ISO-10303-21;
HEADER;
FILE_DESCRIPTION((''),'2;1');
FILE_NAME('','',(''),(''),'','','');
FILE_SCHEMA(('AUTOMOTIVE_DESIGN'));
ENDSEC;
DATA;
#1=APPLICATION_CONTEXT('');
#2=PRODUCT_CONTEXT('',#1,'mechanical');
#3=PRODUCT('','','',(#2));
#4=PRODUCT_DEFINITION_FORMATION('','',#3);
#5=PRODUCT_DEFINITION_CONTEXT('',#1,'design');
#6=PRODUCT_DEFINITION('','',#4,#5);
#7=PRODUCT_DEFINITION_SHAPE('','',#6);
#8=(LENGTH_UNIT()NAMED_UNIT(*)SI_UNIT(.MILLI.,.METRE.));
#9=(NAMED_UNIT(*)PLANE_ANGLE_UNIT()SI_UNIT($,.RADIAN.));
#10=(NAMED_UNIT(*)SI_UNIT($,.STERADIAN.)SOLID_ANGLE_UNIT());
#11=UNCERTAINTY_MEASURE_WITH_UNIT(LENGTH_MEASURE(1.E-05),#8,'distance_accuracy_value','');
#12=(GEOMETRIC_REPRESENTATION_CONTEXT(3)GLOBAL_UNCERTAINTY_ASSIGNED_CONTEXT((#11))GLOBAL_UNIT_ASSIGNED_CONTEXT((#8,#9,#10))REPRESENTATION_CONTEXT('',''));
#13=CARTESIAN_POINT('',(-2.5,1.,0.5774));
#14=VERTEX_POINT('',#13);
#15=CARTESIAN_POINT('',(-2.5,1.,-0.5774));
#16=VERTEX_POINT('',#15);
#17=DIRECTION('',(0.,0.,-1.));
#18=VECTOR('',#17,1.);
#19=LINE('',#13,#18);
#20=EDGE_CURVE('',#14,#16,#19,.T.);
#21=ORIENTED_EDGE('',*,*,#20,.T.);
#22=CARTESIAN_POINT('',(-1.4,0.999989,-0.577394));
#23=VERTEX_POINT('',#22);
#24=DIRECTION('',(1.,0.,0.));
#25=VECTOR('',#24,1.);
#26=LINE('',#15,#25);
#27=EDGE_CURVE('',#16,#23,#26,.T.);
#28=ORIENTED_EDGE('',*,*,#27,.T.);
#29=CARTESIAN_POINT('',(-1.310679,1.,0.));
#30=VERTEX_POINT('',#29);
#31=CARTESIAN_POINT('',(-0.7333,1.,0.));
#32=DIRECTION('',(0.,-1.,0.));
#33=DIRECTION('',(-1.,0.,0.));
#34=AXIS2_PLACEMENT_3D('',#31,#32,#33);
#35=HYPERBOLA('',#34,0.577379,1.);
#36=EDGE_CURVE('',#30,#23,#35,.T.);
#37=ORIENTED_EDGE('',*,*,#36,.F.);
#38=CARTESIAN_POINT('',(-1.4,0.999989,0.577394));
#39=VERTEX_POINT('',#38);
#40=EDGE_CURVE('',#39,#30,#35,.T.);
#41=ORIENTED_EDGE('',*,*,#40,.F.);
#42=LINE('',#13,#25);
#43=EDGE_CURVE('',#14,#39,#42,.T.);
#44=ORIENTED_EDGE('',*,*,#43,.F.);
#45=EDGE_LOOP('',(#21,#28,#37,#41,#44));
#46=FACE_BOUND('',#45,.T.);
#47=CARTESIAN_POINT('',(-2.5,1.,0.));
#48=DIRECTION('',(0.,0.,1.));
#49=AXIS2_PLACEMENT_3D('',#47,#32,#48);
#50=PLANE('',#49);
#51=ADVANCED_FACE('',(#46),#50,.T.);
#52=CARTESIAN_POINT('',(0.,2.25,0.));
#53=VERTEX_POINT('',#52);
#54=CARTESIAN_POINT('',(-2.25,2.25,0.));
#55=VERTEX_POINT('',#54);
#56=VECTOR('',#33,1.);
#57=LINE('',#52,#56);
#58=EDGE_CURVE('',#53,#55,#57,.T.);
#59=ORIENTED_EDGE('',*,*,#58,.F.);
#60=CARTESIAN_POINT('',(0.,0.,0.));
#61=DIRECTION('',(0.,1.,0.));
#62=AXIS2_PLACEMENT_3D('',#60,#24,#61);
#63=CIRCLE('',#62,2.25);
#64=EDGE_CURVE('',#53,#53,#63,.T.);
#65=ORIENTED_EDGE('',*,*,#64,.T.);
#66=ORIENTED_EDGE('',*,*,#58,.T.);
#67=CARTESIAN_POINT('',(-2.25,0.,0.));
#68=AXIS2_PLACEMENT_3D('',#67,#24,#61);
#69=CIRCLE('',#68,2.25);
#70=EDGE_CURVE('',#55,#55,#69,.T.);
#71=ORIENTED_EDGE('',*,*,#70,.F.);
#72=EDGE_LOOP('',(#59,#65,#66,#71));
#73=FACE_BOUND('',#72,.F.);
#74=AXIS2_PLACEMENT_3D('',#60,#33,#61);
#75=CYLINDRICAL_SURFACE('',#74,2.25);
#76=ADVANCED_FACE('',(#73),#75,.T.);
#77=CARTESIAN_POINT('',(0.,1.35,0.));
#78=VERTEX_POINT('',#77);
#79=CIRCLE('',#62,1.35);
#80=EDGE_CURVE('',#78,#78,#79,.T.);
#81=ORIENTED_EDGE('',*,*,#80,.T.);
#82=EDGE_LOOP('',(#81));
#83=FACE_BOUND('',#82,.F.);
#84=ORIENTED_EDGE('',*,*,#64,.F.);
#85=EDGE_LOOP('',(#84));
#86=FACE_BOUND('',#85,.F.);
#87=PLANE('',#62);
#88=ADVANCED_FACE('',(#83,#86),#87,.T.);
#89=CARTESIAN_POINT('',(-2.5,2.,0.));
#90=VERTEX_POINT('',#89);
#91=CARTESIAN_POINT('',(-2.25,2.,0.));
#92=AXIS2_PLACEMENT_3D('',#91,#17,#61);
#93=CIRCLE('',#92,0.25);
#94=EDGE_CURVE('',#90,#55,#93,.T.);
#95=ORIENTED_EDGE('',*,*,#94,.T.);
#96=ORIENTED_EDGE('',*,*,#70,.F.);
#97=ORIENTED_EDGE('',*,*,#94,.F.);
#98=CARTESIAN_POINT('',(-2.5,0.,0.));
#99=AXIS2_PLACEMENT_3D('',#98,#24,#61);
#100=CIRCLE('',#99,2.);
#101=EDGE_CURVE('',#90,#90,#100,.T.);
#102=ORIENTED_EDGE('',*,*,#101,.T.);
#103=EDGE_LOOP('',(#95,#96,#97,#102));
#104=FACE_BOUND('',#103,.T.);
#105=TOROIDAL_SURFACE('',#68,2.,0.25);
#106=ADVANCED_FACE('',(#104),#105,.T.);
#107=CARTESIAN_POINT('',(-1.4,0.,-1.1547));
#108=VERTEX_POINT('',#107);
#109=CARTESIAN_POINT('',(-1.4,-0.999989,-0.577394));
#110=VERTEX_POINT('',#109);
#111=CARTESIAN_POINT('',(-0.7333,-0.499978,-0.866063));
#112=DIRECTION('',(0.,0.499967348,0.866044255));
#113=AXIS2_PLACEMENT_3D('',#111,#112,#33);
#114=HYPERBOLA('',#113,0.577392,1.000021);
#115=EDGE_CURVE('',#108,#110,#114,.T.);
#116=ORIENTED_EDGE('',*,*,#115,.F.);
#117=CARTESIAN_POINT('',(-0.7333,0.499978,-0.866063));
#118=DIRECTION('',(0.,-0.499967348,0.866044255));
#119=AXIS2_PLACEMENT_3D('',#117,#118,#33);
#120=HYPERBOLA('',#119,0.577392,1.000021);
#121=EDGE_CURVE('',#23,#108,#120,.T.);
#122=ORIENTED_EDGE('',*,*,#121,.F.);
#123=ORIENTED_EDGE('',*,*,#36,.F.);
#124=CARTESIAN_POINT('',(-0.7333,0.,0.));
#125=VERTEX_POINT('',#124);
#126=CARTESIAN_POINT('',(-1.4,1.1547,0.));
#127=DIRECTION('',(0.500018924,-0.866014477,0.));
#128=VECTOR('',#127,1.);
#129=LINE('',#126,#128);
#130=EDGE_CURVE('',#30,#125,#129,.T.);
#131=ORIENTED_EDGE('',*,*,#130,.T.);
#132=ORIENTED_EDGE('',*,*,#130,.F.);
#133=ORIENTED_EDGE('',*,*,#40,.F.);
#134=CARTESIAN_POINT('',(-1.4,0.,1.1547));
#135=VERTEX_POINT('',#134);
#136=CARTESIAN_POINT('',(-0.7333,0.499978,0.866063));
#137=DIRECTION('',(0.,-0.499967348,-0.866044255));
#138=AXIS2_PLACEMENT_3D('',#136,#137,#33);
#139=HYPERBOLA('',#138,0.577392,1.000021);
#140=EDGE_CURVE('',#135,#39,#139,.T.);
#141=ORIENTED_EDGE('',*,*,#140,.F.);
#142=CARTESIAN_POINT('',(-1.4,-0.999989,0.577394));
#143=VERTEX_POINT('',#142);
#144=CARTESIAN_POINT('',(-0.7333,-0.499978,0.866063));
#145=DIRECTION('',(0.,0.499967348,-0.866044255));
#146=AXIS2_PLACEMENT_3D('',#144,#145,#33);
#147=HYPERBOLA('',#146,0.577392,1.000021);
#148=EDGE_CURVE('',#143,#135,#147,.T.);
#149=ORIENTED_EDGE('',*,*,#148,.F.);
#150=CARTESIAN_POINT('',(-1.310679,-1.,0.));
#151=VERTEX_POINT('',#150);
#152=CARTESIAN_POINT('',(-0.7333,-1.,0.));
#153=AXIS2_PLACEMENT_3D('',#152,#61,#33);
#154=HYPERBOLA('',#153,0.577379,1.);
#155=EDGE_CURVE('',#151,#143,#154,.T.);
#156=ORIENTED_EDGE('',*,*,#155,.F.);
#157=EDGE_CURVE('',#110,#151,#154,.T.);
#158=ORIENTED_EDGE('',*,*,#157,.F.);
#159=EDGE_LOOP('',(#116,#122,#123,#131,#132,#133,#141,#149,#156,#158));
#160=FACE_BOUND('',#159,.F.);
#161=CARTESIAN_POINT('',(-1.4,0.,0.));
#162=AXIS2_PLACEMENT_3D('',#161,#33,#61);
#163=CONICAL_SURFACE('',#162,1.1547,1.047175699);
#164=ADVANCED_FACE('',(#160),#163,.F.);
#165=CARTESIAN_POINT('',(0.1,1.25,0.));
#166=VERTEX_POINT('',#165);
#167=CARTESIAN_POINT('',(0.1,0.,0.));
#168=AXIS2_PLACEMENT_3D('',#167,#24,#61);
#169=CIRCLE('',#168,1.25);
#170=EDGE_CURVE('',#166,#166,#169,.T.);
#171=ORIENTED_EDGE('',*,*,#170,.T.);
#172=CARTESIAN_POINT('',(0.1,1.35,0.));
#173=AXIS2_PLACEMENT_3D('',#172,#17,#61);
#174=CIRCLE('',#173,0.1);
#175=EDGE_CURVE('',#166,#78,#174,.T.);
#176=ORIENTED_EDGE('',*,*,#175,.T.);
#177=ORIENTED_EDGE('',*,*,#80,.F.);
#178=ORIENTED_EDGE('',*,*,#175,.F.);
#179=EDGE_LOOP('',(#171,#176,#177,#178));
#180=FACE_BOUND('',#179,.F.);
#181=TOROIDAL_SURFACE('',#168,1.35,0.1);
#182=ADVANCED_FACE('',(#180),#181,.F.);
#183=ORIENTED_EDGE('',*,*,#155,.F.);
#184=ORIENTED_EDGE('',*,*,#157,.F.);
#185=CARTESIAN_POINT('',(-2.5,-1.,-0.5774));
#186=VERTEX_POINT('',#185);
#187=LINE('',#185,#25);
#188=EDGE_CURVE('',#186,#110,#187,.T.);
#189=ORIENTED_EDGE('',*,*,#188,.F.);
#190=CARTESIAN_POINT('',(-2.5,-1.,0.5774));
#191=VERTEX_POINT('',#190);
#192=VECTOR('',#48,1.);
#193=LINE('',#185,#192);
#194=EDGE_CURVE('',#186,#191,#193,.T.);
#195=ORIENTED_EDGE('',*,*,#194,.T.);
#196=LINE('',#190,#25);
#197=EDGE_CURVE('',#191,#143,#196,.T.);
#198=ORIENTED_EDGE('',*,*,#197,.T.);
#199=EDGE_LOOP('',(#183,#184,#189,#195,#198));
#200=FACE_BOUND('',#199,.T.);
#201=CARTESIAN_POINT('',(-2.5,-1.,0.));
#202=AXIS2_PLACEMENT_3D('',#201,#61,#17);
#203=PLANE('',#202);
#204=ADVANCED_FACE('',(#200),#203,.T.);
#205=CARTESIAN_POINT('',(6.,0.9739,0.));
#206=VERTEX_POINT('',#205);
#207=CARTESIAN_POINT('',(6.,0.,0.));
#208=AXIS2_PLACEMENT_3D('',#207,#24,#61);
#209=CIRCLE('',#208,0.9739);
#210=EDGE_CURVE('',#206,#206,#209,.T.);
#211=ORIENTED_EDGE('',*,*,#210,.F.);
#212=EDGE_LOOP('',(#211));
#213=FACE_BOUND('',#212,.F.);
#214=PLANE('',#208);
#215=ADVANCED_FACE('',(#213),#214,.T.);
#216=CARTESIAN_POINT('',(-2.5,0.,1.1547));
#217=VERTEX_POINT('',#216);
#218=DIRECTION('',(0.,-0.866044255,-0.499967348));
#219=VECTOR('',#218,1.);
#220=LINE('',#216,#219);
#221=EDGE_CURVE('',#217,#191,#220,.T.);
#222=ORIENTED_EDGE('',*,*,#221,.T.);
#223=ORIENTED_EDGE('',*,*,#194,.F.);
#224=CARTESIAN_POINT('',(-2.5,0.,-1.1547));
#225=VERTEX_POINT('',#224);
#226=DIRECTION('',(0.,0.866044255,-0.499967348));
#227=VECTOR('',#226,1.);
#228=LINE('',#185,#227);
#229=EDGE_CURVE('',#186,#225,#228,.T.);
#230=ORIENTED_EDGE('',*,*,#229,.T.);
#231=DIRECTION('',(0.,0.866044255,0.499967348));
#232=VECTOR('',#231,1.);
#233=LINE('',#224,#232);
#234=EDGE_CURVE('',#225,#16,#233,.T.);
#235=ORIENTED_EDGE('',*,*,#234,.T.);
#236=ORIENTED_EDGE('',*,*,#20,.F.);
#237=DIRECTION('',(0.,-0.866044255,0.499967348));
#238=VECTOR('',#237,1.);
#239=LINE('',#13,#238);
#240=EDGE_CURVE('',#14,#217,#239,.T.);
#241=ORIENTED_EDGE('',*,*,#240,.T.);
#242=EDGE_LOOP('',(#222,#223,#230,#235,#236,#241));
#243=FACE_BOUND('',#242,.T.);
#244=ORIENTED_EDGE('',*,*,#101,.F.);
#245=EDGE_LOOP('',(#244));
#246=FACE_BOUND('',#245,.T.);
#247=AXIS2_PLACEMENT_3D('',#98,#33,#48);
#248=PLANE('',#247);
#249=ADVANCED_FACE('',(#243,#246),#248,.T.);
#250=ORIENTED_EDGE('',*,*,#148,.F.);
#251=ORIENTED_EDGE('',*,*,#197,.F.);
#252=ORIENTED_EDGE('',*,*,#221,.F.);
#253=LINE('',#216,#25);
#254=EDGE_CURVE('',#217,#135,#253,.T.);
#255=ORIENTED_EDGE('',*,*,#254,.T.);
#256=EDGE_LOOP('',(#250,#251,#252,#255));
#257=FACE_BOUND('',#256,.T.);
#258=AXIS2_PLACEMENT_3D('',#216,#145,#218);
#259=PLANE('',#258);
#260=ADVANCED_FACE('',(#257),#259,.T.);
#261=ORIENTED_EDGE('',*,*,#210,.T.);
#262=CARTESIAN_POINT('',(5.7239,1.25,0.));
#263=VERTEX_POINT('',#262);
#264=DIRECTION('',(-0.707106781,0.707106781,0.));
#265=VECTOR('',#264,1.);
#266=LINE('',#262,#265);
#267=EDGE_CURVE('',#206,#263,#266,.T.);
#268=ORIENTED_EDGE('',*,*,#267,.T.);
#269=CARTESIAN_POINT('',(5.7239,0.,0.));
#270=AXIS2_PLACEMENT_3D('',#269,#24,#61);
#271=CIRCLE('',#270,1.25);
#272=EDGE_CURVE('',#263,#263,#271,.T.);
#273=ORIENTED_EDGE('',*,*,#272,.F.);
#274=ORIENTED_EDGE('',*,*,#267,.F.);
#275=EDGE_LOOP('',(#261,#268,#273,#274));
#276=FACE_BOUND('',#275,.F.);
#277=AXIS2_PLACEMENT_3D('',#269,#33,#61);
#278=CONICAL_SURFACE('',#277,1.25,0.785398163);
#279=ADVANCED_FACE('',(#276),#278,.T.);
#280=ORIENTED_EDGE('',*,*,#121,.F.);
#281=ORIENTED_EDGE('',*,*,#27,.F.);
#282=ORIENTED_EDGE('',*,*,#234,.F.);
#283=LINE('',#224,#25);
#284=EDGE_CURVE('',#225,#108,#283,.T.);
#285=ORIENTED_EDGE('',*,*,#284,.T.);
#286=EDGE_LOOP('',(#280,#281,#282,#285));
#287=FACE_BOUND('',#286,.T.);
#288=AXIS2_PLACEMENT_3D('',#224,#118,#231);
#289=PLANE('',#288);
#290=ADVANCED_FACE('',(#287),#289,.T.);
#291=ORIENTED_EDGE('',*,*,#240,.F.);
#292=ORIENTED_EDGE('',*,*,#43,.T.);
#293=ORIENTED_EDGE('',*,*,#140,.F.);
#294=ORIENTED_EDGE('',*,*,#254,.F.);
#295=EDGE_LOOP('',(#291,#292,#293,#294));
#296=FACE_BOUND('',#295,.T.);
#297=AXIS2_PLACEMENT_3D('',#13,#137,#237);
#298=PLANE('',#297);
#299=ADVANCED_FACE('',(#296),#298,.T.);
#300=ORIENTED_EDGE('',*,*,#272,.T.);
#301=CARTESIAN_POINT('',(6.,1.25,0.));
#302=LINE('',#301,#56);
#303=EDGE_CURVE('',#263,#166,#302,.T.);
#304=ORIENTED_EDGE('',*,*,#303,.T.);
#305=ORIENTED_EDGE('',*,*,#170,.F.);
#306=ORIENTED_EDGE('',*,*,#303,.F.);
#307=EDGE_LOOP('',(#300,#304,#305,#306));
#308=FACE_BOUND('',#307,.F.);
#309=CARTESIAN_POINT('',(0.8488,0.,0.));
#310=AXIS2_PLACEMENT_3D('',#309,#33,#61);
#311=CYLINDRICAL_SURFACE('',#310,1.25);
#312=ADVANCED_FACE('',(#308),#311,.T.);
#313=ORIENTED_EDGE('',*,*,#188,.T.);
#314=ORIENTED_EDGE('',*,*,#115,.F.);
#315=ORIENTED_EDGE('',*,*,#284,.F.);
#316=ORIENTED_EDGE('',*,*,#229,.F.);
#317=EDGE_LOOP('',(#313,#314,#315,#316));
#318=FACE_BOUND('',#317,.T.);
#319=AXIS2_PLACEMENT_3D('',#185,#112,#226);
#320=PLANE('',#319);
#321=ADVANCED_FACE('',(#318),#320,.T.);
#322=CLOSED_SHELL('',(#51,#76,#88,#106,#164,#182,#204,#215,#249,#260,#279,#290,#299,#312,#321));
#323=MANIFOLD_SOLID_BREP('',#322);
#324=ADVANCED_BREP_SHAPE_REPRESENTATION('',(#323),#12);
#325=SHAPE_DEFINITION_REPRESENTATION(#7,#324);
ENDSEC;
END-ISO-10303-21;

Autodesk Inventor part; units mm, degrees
ref_plane "YZ Plane" through (0, 0, 0) normal (1, 0, 0) x (0, 1, 0)
ref_plane "XZ Plane" through (0, 0, 0) normal (0, 1, 0) x (-1, 0, 0)
sketch "Sketch1" plane through (0, 0, 0) normal (0, 0, 1) x (1, 0, 0)
  line L0 (-0.7333, 0) -> (6, 0)
  line L1 (6, 0) -> (6, 1.25)
  line L2 (6, 1.25) -> (1.125, 1.25)
  line L3 (1.125, 1.25) -> (0.8488, 1.25)
  line L4 (0.8488, 1.25) -> (0, 1.25)
  line L5 (0, 1.25) -> (0, 2.25)
  line L6 (0, 2.25) -> (-2.5, 2.25)
  line L7 (-2.5, 2.25) -> (-2.5, 1.1547)
  line L8 (-2.5, 1.1547) -> (-1.4, 1.1547)
  line L9 (-1.4, 1.1547) -> (-0.7333, 0)
  line L10 (-4.2, 0) -> (7.7, 0) projected
  line L11 (0, -0.45) -> (0, 2.7) projected
  line L12 (1.125, 1.25) -> (0, 1.25) construction
  dimension "d1" = 4.875
  dimension "d2" = 0.2762
  dimension "d3" = 2.5
  dimension "d4" = 1.1
  dimension "d5" = 60
  dimension "d6" = 2.5
  dimension "d7" = 2.5
  dimension "d8" = 2.3094
  dimension "d9" = 4.5
  dimension "d26" = 6
revolve "Body" add sketch "Sketch1" angle 360 about axis through (-0.7333, 0, 0) along (1, 0, 0)
sketch "Sketch2" plane through (-2.5, 0, 0) normal (-1, 0, 0) x (0, 0, 1)
  circle A0 centre (0, 0) radius 1.1547 projected
  line L0 (0, -3.15) -> (0, 3.15) projected
  line L1 (-3.15, 0) -> (3.15, 0) projected
  line L2 (1.1547, 0) -> (0.5774, -1)
  line L3 (0.5774, -1) -> (-0.5774, -1)
  line L4 (-0.5774, -1) -> (-1.1547, 0)
  line L5 (-1.1547, 0) -> (-0.5774, 1)
  line L6 (-0.5774, 1) -> (0.5774, 1)
  line L7 (0.5774, 1) -> (1.1547, 0)
extrude "Slot" add sketch "Sketch2" against normal up to next contours L7 A0 | A0 L2 | L6 L0 A0 | A0 L0 L3 | L0 L6 A0 | A0 L3 L0 | L4 A0 | A0 L5
fillet "Fillet1" radius 0.25 1 edges at (-2.5, -2.25, 0)
thread "Thread" size "M2.5x0.45" class "6g" standard "ISO Metric profile" length 4.875
chamfer "Chamfer1" distance 0.2761 distance2 0.2761 1 edges at (6, -1.25, 0) measured on face at (6, -0.1825, -0.5629)
ref_plane "Work Plane1" through (29, 0, 0) normal (0, -1, 0) x (1, 0, 0)
fillet "Fillet2" radius 0.1 1 edges at (0, -1.25, 0)
equation "\"d1\" = GEL"
equation "\"d3\" = KOH"
equation "\"d4\" = INTI"
equation "\"d6\" = GD"
equation "\"d7\" = BDM"
equation "\"d8\" = 1.1547 * SW"
equation "\"d9\" = KOD"
equation "\"d26\" = NLG"
equation "\"d30\" = R"
equation "\"d17\" = RR"
equation "\"d13\" = GEL"
equation "\"d15\" = -0.5 * SPD + 0.5 * GD"
equation "\"d16\" = GUL"
equation "\"GD\" = 2.5"
equation "\"NLG\" = 6"
equation "\"GEL\" = 4.875"
equation "\"KOD\" = 4.5"
equation "\"KOH\" = 2.5"
equation "\"INTI\" = 1.1"
equation "\"GAL\" = 0.61345 * PTC"
equation "\"GUL\" = 0.61345 * PTC"
equation "\"BDM\" = NND"
equation "\"SW\" = 2"
equation "\"RR\" = 0.25"
equation "\"SPD\" = NND - 1.2269 * PTC"
equation "\"R\" = 0.1"
equation "\"TOA\" = 30deg"
equation "\"GD1\" = THREADDIA - 1.2269 * PTC"
equation "\"THREADDIA\" = 2.5"
equation "\"FAWI\" = 45deg"
equation "\"PTC\" = 0.45"
equation "\"NND\" = 2.5"
equation "\"E0\" = 1.155 * SW"
properties part number "ISO 4762 - M2,5 x 6" material "Stainless Steel, 440C"
